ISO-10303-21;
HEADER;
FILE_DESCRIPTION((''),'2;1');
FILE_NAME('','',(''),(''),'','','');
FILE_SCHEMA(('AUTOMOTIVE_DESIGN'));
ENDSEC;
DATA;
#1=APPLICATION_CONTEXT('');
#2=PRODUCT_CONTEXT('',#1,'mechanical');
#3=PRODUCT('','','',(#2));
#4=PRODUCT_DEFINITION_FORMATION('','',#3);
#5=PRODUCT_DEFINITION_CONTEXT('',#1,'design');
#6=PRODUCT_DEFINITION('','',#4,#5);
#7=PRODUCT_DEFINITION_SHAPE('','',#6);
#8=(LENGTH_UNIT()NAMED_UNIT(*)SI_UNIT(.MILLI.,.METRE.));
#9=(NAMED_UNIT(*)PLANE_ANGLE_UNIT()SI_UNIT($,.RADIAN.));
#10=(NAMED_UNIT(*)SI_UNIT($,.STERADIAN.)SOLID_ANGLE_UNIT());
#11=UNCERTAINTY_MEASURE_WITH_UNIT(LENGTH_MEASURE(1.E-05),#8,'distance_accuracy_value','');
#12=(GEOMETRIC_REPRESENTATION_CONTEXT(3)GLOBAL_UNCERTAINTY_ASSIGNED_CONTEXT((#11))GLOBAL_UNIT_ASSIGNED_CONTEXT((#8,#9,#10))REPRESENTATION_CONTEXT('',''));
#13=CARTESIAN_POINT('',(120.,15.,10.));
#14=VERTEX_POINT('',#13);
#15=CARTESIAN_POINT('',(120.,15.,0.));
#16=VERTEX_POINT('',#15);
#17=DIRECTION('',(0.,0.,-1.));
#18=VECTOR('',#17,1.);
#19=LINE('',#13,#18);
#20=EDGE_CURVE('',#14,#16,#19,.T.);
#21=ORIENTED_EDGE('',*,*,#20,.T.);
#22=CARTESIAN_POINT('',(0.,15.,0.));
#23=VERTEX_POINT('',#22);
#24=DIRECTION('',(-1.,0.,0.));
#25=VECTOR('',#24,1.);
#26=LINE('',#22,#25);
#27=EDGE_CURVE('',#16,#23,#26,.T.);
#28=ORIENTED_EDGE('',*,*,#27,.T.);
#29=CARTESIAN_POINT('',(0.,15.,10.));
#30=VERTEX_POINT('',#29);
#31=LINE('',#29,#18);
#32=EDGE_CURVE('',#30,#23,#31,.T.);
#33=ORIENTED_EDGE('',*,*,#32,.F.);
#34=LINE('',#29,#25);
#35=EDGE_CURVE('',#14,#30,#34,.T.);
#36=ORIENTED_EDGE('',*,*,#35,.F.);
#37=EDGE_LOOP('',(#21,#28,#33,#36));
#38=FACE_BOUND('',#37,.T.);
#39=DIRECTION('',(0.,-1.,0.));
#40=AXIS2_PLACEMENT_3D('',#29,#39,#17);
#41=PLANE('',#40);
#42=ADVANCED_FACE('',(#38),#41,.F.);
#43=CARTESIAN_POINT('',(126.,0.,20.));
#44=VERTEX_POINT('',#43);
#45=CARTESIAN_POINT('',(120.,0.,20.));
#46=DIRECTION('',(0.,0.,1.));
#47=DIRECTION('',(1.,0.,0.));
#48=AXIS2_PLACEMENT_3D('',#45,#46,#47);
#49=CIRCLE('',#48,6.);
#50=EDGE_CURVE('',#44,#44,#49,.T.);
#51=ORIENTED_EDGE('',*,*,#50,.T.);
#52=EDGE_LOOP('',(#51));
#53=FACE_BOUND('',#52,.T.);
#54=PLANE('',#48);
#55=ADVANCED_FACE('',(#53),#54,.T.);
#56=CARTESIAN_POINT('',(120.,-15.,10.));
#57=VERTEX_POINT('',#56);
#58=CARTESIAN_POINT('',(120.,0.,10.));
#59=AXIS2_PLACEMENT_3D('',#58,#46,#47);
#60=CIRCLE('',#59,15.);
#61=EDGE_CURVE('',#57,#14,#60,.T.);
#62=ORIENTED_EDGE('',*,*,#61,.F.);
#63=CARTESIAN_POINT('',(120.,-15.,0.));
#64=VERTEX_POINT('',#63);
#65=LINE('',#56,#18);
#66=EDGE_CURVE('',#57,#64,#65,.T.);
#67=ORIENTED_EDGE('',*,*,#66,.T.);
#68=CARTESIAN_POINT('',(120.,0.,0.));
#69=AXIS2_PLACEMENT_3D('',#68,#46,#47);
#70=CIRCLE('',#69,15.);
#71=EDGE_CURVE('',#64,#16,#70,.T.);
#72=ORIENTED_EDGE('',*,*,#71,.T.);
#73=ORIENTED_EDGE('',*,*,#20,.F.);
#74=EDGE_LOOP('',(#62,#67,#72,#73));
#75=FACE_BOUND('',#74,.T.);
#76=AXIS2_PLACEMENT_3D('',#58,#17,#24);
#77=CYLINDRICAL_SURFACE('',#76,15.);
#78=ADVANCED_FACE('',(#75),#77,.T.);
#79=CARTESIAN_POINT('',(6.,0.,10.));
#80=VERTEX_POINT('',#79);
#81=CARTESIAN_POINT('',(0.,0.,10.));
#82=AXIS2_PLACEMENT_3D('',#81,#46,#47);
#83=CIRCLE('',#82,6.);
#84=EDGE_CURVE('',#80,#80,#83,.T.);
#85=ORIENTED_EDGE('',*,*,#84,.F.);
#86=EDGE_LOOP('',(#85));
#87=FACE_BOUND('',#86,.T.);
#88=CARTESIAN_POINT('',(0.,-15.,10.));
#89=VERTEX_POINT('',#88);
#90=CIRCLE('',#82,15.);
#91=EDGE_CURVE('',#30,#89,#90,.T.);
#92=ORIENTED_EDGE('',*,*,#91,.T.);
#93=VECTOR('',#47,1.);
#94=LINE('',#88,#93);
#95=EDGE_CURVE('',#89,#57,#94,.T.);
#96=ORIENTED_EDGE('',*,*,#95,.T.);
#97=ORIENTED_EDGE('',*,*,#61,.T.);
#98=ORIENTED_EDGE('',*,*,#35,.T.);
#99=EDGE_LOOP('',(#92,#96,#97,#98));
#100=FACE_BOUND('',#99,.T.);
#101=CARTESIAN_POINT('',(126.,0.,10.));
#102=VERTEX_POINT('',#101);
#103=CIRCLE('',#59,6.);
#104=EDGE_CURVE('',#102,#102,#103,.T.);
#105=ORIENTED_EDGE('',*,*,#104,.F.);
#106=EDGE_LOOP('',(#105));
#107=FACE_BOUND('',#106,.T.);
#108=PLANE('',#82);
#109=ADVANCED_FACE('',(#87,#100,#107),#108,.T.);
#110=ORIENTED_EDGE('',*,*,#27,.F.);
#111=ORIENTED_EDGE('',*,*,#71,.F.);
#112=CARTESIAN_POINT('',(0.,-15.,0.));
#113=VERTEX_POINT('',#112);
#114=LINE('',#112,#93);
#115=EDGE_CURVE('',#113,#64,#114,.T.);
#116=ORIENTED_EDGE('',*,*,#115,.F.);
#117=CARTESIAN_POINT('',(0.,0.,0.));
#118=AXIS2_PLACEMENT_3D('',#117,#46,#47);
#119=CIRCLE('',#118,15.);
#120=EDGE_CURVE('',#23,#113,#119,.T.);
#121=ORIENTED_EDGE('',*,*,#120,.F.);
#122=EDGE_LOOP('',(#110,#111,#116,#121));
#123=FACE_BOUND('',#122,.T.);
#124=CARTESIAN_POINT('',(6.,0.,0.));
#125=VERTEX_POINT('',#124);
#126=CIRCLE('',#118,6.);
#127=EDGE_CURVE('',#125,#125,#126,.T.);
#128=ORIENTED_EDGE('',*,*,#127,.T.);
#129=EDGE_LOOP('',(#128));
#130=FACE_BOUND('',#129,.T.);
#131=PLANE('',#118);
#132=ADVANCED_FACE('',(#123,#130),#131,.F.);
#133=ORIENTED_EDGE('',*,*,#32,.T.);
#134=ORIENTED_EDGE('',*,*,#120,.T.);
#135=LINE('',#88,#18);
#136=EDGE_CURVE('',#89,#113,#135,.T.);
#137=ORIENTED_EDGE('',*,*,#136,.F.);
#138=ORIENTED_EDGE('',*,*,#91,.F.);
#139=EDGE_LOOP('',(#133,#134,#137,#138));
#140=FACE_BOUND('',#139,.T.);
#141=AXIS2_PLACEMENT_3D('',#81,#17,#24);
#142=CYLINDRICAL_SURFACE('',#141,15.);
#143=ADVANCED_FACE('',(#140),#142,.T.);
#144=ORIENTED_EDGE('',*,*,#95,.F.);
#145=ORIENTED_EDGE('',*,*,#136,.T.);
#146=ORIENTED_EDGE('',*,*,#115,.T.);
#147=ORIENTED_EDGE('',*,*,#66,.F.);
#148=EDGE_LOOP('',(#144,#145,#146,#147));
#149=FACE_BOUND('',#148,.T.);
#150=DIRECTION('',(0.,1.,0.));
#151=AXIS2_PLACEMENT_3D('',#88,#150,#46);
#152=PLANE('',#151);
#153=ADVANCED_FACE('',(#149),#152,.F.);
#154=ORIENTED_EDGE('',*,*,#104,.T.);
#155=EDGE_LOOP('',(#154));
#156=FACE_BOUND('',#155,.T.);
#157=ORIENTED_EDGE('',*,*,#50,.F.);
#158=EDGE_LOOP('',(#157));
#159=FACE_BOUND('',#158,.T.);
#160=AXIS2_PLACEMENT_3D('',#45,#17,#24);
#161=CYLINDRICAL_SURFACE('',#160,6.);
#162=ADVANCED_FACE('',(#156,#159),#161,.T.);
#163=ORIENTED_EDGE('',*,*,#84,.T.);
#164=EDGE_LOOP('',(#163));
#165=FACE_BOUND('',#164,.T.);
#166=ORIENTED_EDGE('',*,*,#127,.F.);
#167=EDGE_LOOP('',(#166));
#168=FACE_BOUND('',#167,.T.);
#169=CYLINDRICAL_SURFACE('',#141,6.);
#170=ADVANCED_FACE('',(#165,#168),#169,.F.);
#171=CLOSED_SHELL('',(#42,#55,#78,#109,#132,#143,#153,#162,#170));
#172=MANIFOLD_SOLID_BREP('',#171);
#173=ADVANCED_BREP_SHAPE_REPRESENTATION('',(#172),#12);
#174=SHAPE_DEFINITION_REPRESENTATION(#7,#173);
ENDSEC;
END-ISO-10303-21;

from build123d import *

# Parameters (mm, degrees)
CROQUIS1_R              = 6
SALIENTE_EXTRUIR1_DEPTH = 10
CROQUIS2_R              = 6
SALIENTE_EXTRUIR2_DEPTH = 10


with BuildPart() as part:
    # Croquis1 → Saliente-Extruir1 (new body)
    with BuildSketch(Plane.XY):
        with BuildLine():
            Line((0, 15), (120, 15))
            ThreePointArc((120, 15), (135, 0), (120, -15))
            Line((120, -15), (0, -15))
            ThreePointArc((0, -15), (-15, 0), (0, 15))
        make_face()
        Circle(CROQUIS1_R, mode=Mode.SUBTRACT)
    extrude(amount=SALIENTE_EXTRUIR1_DEPTH)

    # Croquis2 → Saliente-Extruir2 (add)
    with BuildSketch(Plane.XY.offset(10)):
        with Locations((120, 0)):
            Circle(CROQUIS2_R)
    extrude(amount=SALIENTE_EXTRUIR2_DEPTH)


solid = part.part
